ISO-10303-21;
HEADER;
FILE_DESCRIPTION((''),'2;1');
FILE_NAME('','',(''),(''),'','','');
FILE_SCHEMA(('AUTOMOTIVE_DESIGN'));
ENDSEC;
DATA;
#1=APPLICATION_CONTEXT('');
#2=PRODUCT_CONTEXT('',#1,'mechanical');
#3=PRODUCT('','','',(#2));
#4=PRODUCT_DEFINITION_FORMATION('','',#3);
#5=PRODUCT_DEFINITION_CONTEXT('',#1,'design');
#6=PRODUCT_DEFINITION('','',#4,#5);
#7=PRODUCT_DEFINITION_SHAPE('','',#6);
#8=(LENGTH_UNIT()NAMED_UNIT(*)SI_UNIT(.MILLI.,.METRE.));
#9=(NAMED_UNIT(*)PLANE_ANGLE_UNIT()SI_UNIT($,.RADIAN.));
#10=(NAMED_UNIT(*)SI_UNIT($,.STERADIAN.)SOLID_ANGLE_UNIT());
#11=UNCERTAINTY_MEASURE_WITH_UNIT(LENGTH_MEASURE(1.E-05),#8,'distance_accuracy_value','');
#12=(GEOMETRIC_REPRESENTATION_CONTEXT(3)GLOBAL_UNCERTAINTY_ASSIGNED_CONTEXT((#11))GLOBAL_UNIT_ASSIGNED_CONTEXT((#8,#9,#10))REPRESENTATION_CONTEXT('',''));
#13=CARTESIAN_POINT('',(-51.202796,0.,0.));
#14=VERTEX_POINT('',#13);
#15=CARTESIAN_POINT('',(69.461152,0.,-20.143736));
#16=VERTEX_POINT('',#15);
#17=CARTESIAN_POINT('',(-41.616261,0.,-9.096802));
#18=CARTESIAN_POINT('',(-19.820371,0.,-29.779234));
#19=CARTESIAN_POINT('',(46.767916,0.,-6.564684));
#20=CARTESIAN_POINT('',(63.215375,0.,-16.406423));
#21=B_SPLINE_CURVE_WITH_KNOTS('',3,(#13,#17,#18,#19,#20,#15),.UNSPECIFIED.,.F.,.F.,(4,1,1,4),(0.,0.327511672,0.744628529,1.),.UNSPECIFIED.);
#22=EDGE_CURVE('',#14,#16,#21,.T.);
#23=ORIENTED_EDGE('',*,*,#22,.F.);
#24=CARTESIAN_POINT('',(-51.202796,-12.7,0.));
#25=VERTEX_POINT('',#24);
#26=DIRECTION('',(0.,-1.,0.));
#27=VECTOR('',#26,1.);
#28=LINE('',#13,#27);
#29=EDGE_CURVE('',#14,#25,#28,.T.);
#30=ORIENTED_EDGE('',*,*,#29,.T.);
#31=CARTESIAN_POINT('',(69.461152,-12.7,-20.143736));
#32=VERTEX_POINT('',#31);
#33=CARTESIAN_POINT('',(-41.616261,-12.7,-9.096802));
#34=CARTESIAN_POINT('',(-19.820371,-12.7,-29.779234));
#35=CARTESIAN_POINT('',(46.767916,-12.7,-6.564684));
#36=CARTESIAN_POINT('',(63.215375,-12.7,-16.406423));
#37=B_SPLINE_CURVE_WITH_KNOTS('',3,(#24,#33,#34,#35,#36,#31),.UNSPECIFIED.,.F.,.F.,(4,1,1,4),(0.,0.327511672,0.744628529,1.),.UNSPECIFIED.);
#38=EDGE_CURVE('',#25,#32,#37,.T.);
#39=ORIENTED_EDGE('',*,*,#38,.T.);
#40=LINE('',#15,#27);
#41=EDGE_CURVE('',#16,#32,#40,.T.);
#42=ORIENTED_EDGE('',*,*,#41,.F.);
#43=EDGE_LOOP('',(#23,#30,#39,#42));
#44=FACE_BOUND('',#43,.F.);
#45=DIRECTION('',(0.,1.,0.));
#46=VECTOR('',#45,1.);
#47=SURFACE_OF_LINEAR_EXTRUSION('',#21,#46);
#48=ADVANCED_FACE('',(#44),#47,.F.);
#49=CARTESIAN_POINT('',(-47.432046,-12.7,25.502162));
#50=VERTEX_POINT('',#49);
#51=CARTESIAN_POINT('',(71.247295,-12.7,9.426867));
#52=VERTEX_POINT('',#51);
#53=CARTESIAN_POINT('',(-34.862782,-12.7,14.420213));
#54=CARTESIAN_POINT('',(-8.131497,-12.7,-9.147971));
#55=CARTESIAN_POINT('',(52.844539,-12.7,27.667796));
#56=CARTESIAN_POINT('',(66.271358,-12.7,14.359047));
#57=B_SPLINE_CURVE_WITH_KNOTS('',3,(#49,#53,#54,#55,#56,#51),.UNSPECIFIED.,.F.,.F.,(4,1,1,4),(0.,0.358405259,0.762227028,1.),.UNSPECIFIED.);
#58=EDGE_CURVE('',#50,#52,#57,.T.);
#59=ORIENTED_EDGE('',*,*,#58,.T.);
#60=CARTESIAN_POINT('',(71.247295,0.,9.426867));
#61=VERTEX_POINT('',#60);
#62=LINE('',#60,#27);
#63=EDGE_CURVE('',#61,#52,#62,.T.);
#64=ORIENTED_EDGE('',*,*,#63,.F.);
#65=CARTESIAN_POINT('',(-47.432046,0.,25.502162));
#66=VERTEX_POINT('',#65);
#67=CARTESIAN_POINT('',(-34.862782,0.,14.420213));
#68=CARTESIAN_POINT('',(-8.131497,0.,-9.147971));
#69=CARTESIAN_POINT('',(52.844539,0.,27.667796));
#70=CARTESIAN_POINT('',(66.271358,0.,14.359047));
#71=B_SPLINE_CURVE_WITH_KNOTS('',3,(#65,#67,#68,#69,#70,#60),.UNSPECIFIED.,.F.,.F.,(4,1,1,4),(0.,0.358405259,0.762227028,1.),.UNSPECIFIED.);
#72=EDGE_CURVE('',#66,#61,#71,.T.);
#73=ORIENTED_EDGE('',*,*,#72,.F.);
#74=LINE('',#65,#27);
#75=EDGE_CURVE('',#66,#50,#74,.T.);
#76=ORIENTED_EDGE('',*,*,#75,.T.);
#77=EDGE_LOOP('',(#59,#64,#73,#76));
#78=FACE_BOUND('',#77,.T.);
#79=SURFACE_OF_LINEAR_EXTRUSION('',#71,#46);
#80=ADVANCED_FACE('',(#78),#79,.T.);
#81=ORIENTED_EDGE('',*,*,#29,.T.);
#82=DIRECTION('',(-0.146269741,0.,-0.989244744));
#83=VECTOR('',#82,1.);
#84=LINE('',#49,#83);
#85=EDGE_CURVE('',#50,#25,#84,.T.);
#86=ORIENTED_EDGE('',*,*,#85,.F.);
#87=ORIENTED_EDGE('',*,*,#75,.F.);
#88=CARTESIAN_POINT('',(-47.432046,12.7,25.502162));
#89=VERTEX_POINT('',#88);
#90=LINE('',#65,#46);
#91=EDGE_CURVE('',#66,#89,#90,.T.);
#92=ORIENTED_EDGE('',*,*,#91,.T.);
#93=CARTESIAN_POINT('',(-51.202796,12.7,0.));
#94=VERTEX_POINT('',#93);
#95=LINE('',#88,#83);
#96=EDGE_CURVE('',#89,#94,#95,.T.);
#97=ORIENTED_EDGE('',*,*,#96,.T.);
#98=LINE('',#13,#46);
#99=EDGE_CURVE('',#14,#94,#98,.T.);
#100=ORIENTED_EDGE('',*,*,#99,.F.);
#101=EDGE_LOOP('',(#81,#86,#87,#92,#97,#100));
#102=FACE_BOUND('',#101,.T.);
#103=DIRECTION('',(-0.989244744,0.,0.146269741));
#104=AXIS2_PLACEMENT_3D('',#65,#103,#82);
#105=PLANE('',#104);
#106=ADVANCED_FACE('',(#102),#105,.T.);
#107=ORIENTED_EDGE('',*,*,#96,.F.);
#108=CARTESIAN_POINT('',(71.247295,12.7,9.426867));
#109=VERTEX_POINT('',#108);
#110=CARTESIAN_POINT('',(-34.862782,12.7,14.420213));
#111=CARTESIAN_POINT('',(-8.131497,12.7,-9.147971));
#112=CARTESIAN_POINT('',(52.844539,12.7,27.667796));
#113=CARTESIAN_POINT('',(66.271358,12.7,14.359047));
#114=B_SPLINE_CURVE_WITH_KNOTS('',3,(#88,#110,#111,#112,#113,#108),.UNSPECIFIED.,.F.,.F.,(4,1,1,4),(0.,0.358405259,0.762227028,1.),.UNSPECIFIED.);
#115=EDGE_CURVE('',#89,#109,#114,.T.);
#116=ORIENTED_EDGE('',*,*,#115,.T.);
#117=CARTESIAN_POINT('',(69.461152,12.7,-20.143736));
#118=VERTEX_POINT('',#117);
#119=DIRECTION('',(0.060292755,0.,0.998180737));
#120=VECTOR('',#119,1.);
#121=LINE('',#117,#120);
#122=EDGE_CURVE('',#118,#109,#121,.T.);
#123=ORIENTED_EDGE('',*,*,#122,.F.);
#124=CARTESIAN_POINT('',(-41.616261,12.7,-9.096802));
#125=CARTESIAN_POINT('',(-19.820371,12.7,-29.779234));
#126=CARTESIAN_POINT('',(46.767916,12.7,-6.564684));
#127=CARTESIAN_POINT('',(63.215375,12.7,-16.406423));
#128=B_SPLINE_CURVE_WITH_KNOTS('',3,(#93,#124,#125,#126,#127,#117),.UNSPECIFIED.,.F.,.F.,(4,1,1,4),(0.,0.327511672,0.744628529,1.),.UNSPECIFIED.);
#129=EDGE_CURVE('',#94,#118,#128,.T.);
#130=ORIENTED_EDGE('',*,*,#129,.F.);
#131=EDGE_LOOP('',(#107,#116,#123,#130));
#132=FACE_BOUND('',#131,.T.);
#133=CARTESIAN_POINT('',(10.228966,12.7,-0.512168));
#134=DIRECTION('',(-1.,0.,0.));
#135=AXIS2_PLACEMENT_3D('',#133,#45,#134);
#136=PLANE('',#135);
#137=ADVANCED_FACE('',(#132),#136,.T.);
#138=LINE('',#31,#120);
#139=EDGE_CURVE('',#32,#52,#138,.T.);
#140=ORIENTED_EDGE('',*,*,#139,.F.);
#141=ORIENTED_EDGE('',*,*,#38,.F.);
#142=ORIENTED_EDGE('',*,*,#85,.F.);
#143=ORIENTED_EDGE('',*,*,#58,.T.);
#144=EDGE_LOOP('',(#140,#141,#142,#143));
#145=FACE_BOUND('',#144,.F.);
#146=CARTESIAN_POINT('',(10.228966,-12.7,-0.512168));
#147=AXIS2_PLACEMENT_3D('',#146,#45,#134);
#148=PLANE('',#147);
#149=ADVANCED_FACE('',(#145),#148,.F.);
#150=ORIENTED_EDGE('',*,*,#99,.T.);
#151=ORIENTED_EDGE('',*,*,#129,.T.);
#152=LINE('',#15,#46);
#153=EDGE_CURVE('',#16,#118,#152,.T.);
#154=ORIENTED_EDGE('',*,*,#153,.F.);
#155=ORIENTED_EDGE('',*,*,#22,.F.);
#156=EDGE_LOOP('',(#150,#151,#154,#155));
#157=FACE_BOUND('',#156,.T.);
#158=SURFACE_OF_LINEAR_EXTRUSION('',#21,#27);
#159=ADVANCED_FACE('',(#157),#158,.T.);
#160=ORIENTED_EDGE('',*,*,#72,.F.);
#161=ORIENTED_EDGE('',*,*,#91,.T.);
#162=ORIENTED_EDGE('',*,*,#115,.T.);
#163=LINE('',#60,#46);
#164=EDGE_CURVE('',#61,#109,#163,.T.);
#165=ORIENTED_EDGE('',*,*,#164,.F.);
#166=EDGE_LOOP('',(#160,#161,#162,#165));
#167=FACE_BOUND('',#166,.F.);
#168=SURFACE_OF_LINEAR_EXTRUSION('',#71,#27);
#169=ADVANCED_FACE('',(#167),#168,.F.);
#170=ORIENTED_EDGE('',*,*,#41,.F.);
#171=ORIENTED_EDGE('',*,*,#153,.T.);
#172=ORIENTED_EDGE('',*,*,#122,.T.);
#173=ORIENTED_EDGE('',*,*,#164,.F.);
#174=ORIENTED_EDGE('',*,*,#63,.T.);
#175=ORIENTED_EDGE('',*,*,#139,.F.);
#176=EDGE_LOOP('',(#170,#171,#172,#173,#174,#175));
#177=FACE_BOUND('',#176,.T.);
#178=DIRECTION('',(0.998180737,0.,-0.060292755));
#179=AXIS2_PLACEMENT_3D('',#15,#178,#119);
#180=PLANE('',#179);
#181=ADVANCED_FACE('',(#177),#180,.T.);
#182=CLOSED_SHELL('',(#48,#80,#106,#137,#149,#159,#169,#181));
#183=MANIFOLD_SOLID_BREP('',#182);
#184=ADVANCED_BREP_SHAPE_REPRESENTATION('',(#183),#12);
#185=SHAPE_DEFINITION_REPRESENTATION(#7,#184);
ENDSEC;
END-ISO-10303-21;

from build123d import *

# Parameters (mm, degrees)
F1_DEPTH = 12.7


with BuildPart() as f1:
    # F0 (on Front) → F1 (new body, symmetric)
    with BuildSketch(Plane.XZ):
        with BuildLine():
            add(Edge.make_bspline(
                [(-47.4320463836, 25.5021620542), (-34.862781868, 14.4202130024), (-8.1314968339, -9.1479709967), (52.8445386323, 27.667796396), (66.271357968, 14.3590469203), (71.2472945452, 9.426866658)],
                knots=[0, 0, 0, 0, 0.3584052589, 0.7622270279, 1, 1, 1, 1], degree=3))
            Line((-47.4320463836, 25.5021620542), (-51.2027963996, 0))
            add(Edge.make_bspline(
                [(-51.2027963996, 0), (-41.6162605359, -9.0968015613), (-19.8203713943, -29.7792337967), (46.7679164935, -6.5646843288), (63.2153754641, -16.4064232076), (69.4611519575, -20.1437361538)],
                knots=[0, 0, 0, 0, 0.3275116722, 0.7446285291, 1, 1, 1, 1], degree=3))
            Line((69.4611519575, -20.1437361538), (71.2472945452, 9.426866658))
        make_face()
    extrude(amount=F1_DEPTH, both=True)


solid = f1.part
